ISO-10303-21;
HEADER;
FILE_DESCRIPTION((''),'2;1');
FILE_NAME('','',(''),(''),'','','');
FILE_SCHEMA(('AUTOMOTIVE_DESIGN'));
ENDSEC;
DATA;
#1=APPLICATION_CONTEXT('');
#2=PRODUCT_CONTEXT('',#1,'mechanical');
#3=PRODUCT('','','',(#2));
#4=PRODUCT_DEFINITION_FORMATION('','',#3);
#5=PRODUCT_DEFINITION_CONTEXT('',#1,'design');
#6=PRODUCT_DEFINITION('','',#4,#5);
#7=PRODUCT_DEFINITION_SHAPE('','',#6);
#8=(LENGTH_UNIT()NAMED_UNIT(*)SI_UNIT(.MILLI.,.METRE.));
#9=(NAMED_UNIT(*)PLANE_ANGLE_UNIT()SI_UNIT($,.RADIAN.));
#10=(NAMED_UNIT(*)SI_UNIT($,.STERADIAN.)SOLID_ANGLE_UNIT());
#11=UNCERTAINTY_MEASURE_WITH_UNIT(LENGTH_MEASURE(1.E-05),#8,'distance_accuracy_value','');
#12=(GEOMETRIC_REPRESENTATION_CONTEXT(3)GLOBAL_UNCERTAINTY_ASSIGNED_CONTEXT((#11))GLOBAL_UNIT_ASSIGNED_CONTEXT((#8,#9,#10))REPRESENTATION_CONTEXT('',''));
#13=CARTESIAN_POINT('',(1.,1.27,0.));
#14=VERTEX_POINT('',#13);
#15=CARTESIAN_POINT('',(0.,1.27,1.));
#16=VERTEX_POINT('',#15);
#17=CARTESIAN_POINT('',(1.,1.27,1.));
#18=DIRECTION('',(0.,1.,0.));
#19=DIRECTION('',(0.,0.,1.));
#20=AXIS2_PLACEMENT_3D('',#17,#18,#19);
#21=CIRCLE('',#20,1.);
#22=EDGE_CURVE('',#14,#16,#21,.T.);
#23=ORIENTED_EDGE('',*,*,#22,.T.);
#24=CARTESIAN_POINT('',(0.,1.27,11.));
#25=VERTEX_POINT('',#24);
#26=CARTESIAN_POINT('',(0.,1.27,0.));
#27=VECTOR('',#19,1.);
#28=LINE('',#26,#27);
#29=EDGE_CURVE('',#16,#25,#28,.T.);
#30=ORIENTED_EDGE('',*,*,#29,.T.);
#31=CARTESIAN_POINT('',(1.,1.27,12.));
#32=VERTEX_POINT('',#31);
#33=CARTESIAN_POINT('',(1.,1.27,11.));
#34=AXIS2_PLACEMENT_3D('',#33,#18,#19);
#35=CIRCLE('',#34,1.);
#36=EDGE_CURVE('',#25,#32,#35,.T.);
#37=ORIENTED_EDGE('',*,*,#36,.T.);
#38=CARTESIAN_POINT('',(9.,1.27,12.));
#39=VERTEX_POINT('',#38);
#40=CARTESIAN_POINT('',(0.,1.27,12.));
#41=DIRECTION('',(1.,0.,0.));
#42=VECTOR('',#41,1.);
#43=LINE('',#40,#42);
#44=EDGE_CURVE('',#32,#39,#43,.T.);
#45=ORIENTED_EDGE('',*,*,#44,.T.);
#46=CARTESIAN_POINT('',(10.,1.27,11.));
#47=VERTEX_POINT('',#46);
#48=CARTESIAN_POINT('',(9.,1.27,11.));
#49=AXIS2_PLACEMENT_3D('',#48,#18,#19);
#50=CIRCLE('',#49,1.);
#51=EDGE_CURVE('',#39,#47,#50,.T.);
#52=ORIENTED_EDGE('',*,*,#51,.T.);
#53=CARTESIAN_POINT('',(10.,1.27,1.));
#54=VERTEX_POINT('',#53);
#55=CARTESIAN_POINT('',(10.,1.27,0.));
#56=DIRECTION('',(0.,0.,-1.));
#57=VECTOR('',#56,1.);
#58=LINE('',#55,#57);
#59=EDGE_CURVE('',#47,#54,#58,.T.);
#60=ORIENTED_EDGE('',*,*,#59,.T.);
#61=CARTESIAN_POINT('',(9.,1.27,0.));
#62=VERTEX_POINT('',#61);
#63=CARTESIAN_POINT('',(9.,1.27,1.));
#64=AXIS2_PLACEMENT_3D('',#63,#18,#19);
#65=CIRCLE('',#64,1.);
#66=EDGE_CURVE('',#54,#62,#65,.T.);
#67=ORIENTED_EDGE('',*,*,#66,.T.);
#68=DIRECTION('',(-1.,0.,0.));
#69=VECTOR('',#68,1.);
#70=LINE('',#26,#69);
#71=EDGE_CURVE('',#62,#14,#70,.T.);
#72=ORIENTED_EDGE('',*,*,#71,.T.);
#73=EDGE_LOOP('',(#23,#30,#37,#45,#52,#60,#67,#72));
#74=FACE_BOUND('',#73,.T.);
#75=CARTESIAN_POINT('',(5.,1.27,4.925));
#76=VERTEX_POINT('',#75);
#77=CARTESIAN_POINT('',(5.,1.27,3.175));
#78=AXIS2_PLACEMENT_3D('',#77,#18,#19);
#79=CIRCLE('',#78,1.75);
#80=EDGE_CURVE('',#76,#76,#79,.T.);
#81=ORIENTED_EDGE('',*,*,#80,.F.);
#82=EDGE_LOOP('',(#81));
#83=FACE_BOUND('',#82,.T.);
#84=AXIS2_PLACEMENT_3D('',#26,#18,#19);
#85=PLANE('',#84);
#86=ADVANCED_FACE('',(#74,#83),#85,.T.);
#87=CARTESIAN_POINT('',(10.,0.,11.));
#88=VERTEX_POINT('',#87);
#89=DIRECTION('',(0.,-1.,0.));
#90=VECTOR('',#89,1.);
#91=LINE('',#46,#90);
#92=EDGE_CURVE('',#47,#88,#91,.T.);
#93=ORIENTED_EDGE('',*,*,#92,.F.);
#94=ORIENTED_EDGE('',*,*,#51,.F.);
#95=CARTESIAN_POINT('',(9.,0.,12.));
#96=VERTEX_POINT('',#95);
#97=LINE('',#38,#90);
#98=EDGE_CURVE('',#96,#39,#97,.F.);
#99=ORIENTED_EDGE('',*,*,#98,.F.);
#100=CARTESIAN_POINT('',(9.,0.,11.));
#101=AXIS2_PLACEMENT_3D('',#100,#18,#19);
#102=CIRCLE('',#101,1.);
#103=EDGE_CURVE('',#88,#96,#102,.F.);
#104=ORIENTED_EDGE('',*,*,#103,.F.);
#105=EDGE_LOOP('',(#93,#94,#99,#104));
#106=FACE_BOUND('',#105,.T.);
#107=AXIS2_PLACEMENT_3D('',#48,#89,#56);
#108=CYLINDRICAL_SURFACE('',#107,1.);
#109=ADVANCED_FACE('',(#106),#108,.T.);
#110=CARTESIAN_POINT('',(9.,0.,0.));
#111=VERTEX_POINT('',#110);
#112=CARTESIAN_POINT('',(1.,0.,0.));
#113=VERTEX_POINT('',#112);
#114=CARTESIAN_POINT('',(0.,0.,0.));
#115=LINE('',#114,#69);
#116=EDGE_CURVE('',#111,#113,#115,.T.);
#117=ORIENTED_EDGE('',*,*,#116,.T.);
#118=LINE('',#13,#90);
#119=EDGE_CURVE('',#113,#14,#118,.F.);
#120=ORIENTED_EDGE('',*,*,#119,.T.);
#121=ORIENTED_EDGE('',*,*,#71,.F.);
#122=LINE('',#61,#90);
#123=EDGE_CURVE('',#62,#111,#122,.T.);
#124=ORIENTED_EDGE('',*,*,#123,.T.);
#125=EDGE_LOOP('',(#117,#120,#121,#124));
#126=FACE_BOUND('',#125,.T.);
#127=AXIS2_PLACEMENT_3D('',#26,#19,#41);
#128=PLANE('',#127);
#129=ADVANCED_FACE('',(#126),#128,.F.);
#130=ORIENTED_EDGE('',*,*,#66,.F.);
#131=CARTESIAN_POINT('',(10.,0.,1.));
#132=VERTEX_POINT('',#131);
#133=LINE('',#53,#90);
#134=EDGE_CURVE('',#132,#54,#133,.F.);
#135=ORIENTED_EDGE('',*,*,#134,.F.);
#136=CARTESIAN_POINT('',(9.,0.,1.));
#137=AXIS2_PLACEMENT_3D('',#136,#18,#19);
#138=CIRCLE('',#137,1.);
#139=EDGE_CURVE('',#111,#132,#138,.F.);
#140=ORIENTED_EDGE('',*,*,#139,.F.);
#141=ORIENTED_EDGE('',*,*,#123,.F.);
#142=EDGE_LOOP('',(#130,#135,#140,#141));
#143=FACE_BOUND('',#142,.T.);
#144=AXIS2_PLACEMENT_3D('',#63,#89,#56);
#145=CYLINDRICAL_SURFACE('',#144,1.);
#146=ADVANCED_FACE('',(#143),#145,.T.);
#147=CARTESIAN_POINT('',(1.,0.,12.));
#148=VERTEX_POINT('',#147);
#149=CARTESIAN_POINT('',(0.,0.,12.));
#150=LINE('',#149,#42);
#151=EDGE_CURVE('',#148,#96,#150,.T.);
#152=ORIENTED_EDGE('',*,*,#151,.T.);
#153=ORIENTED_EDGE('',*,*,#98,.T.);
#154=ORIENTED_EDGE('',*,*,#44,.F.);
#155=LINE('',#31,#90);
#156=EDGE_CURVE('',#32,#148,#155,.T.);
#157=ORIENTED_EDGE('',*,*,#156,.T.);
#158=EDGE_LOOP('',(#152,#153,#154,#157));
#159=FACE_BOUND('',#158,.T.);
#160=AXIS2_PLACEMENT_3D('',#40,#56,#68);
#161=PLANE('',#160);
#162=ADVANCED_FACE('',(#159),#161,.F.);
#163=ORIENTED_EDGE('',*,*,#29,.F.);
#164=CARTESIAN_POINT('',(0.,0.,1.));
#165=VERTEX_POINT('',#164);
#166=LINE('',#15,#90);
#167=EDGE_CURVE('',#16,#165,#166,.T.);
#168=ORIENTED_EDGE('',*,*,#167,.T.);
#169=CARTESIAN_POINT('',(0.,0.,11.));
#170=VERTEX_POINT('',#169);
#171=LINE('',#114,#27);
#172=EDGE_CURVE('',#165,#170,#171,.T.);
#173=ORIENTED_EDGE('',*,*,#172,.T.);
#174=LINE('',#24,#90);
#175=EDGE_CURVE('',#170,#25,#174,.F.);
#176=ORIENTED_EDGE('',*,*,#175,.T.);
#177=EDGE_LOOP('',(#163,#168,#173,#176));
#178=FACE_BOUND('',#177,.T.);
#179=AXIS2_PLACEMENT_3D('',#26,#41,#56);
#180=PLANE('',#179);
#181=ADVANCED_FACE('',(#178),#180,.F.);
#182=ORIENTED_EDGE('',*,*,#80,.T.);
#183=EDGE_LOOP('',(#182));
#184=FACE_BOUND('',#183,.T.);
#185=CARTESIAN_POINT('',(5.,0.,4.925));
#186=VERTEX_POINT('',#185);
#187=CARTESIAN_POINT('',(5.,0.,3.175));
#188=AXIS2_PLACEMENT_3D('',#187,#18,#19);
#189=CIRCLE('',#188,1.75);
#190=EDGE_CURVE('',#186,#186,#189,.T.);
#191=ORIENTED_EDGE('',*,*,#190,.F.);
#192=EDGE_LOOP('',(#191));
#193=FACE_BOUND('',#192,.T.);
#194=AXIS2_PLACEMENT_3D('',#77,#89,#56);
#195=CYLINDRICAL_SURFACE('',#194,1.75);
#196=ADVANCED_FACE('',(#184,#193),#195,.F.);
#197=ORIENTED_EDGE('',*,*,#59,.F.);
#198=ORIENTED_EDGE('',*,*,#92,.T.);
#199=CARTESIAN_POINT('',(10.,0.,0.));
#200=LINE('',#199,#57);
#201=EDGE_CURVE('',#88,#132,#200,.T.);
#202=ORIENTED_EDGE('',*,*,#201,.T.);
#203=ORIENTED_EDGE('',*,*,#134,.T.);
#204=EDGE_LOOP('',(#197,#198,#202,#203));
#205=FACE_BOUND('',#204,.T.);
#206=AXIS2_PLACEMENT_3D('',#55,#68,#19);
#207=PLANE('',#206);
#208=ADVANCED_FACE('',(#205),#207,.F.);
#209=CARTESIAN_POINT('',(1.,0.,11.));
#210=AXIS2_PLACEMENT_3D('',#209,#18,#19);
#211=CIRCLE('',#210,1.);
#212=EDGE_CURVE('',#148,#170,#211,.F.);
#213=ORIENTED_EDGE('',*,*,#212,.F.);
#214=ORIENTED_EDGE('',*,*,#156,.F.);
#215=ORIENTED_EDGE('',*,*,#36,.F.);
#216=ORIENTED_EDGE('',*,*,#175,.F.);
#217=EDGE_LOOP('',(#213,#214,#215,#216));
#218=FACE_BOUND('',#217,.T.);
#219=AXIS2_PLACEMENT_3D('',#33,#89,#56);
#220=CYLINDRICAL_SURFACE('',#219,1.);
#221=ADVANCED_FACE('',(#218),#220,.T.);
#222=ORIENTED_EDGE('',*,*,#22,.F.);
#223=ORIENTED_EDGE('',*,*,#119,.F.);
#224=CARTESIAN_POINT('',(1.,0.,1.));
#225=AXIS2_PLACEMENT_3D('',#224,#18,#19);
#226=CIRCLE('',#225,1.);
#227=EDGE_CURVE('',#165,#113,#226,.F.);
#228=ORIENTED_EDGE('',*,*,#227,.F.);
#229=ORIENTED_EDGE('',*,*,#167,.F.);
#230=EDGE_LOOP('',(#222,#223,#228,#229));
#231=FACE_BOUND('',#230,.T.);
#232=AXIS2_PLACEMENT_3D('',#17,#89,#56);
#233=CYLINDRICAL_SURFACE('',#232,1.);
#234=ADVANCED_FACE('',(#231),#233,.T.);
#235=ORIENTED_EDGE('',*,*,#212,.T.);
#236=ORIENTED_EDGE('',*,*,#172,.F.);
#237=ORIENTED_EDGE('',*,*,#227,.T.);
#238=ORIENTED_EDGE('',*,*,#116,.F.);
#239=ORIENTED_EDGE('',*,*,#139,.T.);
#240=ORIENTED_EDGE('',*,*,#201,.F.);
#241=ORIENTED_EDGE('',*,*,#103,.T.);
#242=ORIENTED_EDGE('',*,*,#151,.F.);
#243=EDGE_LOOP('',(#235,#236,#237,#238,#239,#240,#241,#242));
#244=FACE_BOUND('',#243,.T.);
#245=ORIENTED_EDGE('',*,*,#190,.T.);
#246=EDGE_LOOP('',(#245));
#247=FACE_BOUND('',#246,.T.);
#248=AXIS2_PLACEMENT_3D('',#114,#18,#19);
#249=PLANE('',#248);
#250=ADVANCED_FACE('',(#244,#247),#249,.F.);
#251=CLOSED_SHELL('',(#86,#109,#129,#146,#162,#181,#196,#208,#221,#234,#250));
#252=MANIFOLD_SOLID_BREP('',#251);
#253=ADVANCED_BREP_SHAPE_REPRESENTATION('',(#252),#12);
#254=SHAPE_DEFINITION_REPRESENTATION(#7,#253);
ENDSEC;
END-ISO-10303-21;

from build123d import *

# Parameters (mm, degrees)
SKETCH1_W           = 10
SKETCH1_H           = 12
SKETCH1_R           = 1.75
BOSS_EXTRUDE1_DEPTH = 1.27
FILLET1_R           = 1


with BuildPart() as part:
    # Sketch1 → Boss-Extrude1 (new body)
    with BuildSketch(Plane(origin=(0, 0, 0), x_dir=(1, 0, 0), z_dir=(0, 1, 0))):
        with Locations((5, -6)):
            Rectangle(SKETCH1_W, SKETCH1_H)
        with Locations(Location((5, -3.175, 0), (0, 0, 270))):
            Circle(SKETCH1_R, mode=Mode.SUBTRACT)
    extrude(amount=BOSS_EXTRUDE1_DEPTH)

    # Fillet1
    fillet1_edges = [part.edges().sort_by_distance(p)[0] for p in [
        (0, 0.635, 0),
        (10, 0.635, 0),
        (10, 0.635, 12),
        (0, 0.635, 12),
    ]]
    fillet(fillet1_edges, radius=FILLET1_R)


solid = part.part
